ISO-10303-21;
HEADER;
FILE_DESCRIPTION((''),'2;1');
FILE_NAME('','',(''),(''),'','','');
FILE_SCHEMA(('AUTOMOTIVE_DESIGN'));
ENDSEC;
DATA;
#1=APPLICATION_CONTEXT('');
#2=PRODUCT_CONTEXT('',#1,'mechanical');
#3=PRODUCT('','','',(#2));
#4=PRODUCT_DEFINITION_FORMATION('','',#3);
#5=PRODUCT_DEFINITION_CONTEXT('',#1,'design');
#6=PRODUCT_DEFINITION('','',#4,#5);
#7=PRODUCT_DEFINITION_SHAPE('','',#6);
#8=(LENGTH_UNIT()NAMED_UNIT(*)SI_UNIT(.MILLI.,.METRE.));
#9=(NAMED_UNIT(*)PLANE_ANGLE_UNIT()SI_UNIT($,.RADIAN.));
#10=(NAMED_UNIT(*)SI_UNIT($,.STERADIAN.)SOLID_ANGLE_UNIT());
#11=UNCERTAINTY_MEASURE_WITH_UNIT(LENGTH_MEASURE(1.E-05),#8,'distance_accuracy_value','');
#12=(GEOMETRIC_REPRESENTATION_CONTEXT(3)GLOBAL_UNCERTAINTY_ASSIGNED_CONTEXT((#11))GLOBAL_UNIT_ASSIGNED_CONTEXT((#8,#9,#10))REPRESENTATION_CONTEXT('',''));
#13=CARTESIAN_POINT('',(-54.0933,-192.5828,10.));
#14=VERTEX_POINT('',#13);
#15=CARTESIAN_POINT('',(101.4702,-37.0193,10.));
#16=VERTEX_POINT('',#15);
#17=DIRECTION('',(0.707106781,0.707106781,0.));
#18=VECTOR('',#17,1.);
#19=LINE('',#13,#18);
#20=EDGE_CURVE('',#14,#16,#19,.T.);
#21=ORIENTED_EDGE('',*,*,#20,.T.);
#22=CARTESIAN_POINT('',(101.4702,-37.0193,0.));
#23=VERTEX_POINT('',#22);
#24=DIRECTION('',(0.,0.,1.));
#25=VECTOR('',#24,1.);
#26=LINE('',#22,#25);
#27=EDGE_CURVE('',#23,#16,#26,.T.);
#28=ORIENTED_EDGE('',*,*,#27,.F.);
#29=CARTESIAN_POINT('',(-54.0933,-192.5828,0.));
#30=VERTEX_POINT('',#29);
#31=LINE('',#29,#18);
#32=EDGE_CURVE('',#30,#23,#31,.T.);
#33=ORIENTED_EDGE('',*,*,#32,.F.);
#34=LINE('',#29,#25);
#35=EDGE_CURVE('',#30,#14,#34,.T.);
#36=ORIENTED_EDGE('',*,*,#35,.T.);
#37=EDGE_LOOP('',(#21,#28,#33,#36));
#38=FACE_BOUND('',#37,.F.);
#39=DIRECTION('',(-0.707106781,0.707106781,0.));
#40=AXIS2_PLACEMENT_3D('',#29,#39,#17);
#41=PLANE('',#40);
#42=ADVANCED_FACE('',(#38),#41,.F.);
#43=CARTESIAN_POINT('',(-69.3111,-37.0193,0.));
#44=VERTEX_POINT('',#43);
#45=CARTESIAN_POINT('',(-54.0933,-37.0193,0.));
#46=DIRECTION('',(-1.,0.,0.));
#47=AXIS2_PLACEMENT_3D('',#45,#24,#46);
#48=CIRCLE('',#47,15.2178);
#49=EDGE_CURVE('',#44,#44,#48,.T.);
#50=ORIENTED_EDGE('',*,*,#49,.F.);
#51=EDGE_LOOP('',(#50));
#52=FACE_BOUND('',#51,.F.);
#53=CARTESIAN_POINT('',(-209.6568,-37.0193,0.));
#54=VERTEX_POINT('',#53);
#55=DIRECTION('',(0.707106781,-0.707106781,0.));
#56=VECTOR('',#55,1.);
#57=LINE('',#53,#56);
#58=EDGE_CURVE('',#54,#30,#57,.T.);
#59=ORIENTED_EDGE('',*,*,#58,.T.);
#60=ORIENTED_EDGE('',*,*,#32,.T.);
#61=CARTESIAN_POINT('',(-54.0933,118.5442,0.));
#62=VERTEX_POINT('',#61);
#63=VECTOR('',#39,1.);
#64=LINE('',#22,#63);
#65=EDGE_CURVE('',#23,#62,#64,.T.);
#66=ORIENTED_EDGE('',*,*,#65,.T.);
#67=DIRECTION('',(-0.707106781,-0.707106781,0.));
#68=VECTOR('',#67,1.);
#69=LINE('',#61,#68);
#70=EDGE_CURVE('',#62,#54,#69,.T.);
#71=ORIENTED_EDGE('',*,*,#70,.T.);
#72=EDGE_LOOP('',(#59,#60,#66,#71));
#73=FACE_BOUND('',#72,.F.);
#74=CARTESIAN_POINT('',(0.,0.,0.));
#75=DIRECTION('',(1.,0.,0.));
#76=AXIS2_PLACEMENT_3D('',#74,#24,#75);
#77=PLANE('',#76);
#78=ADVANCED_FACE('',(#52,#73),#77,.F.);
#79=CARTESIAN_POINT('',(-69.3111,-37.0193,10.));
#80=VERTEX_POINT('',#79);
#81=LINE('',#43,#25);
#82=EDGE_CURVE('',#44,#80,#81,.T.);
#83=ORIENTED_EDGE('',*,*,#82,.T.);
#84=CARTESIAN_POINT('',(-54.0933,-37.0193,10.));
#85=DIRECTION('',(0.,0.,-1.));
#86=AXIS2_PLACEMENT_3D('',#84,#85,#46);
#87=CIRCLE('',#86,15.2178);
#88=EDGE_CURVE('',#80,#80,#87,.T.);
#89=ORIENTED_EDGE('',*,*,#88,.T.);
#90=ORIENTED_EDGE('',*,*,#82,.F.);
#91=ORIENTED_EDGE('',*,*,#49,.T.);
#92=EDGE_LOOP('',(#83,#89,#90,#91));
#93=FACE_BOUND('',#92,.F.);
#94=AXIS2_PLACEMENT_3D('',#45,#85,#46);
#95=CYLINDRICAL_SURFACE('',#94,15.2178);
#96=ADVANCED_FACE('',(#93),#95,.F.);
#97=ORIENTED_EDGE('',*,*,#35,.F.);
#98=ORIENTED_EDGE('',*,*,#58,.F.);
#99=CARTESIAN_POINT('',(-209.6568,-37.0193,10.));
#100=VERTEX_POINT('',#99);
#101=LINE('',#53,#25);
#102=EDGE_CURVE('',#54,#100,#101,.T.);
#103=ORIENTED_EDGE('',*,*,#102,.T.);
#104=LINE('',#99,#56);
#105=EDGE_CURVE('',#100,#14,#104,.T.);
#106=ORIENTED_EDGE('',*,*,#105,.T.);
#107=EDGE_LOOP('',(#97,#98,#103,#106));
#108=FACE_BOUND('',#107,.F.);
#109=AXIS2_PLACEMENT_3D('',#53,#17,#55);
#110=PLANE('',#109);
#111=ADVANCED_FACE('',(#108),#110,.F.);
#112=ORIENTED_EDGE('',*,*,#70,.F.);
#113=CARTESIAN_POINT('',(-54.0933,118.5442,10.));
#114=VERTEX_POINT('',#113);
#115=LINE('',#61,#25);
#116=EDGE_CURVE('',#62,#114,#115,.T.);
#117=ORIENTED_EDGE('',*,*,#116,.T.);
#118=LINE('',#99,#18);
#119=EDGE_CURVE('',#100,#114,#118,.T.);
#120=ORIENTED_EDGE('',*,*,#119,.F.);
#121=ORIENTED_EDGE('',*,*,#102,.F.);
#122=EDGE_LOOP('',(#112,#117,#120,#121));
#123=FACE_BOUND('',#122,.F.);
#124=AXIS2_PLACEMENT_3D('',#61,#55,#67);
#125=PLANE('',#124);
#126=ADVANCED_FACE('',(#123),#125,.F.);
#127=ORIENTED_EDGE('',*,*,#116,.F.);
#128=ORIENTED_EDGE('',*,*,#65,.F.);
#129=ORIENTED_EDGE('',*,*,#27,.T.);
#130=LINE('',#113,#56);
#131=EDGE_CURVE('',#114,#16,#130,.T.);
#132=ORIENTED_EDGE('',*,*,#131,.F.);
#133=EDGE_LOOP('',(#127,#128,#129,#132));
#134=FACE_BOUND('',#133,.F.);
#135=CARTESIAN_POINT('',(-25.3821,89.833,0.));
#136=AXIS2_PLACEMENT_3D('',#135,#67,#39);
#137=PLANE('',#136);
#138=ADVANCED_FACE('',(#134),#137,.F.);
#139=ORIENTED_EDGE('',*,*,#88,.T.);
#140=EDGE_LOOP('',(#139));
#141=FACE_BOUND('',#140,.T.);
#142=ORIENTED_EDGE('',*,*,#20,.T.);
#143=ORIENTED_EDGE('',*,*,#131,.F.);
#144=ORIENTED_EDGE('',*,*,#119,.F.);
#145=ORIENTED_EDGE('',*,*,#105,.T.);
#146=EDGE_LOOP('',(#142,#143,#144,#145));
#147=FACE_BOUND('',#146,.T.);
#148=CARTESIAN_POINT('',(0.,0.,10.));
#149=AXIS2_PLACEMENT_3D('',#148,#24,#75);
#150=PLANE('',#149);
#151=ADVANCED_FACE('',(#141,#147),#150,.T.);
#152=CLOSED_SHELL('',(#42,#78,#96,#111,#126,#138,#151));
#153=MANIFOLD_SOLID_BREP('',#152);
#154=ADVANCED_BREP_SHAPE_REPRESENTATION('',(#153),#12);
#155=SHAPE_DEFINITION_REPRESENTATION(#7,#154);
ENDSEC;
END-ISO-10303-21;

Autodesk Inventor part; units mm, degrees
ref_plane "YZ Plane" through (0, 0, 0) normal (1, 0, 0) x (0, 1, 0)
ref_plane "XZ Plane" through (0, 0, 0) normal (0, 1, 0) x (-1, 0, 0)
ref_plane "XY Plane" through (0, 0, 0) normal (0, 0, 1) x (1, 0, 0)
sketch "Sketch1" plane through (0, 0, 0) normal (0, 0, 1) x (1, 0, 0)
  line L0 (-46.0933, 91.1044) -> (-62.0933, 91.1044) projected
  line L1 (-54.0933, 118.5442) -> (-209.6568, -37.0193)
  line L2 (-209.6568, -37.0193) -> (-54.0933, -192.5828)
  line L3 (-54.0933, -192.5828) -> (101.4702, -37.0193)
  line L4 (101.4702, -37.0193) -> (-54.0933, 118.5442)
  line L5 (-54.0933, 91.1044) -> (165.9067, 91.1044) construction
  line L6 (-25.3821, 79.8544) -> (-25.3821, 89.8544)
  line L7 (-82.7831, 89.8544) -> (-82.7831, 79.8544) projected
  line L8 (-54.0933, 91.1044) -> (-54.0933, 151.1044)
  line L9 (-82.7831, 89.8544) -> (-54.0933, 118.5442)
  line L10 (-82.7831, 89.8544) -> (-42.2096, 89.8544) construction
  point P0 (0, 0)
  dimension "d0" = 220
  dimension "d1" = 135
  dimension "d2" = 220
  dimension "d3" = 60
  dimension "d4" = 45
extrude "Extrusion1" add sketch "Sketch1" along normal blind 10
sketch "Sketch2" plane through (0, 0, 0) normal (0, 0, -1) x (-1, 0, 0)
  line L0 (209.6568, -37.0193) -> (54.0933, -192.5828) projected
  line L1 (54.0933, 118.5442) -> (209.6568, -37.0193) projected
  line L2 (-101.4702, -37.0193) -> (54.0933, 118.5442) projected
  line L3 (54.0933, -192.5828) -> (-101.4702, -37.0193) projected
  line L4 (-101.4702, -37.0193) -> (209.6568, -37.0193)
  line L5 (54.0933, -192.5828) -> (54.0933, 118.5442)
  line L6 (74.0933, -3.2956) -> (34.0933, -3.2956) projected
  line L7 (34.0933, 39.0692) -> (74.0933, 39.0692)
  line L8 (74.0933, 39.0692) -> (74.0933, -3.2956)
  line L9 (74.0933, -3.2956) -> (34.0933, -3.2956)
  line L10 (34.0933, -3.2956) -> (34.0933, 39.0692)
  point P0 (0, 0)
sketch "Sketch3" plane through (0, 0, 0) normal (0, 0, -1) x (-1, 0, 0)
  line L0 (-101.4702, -37.0193) -> (209.6568, -37.0193) projected
  line L1 (54.0933, -192.5828) -> (54.0933, 118.5442) projected
  circle A0 centre (54.0933, -37.0193) radius 15.2178
  point P0 (0, 0)
extrude "Extrusion2" cut sketch "Sketch3" against normal blind 10
properties part number "Template220"
